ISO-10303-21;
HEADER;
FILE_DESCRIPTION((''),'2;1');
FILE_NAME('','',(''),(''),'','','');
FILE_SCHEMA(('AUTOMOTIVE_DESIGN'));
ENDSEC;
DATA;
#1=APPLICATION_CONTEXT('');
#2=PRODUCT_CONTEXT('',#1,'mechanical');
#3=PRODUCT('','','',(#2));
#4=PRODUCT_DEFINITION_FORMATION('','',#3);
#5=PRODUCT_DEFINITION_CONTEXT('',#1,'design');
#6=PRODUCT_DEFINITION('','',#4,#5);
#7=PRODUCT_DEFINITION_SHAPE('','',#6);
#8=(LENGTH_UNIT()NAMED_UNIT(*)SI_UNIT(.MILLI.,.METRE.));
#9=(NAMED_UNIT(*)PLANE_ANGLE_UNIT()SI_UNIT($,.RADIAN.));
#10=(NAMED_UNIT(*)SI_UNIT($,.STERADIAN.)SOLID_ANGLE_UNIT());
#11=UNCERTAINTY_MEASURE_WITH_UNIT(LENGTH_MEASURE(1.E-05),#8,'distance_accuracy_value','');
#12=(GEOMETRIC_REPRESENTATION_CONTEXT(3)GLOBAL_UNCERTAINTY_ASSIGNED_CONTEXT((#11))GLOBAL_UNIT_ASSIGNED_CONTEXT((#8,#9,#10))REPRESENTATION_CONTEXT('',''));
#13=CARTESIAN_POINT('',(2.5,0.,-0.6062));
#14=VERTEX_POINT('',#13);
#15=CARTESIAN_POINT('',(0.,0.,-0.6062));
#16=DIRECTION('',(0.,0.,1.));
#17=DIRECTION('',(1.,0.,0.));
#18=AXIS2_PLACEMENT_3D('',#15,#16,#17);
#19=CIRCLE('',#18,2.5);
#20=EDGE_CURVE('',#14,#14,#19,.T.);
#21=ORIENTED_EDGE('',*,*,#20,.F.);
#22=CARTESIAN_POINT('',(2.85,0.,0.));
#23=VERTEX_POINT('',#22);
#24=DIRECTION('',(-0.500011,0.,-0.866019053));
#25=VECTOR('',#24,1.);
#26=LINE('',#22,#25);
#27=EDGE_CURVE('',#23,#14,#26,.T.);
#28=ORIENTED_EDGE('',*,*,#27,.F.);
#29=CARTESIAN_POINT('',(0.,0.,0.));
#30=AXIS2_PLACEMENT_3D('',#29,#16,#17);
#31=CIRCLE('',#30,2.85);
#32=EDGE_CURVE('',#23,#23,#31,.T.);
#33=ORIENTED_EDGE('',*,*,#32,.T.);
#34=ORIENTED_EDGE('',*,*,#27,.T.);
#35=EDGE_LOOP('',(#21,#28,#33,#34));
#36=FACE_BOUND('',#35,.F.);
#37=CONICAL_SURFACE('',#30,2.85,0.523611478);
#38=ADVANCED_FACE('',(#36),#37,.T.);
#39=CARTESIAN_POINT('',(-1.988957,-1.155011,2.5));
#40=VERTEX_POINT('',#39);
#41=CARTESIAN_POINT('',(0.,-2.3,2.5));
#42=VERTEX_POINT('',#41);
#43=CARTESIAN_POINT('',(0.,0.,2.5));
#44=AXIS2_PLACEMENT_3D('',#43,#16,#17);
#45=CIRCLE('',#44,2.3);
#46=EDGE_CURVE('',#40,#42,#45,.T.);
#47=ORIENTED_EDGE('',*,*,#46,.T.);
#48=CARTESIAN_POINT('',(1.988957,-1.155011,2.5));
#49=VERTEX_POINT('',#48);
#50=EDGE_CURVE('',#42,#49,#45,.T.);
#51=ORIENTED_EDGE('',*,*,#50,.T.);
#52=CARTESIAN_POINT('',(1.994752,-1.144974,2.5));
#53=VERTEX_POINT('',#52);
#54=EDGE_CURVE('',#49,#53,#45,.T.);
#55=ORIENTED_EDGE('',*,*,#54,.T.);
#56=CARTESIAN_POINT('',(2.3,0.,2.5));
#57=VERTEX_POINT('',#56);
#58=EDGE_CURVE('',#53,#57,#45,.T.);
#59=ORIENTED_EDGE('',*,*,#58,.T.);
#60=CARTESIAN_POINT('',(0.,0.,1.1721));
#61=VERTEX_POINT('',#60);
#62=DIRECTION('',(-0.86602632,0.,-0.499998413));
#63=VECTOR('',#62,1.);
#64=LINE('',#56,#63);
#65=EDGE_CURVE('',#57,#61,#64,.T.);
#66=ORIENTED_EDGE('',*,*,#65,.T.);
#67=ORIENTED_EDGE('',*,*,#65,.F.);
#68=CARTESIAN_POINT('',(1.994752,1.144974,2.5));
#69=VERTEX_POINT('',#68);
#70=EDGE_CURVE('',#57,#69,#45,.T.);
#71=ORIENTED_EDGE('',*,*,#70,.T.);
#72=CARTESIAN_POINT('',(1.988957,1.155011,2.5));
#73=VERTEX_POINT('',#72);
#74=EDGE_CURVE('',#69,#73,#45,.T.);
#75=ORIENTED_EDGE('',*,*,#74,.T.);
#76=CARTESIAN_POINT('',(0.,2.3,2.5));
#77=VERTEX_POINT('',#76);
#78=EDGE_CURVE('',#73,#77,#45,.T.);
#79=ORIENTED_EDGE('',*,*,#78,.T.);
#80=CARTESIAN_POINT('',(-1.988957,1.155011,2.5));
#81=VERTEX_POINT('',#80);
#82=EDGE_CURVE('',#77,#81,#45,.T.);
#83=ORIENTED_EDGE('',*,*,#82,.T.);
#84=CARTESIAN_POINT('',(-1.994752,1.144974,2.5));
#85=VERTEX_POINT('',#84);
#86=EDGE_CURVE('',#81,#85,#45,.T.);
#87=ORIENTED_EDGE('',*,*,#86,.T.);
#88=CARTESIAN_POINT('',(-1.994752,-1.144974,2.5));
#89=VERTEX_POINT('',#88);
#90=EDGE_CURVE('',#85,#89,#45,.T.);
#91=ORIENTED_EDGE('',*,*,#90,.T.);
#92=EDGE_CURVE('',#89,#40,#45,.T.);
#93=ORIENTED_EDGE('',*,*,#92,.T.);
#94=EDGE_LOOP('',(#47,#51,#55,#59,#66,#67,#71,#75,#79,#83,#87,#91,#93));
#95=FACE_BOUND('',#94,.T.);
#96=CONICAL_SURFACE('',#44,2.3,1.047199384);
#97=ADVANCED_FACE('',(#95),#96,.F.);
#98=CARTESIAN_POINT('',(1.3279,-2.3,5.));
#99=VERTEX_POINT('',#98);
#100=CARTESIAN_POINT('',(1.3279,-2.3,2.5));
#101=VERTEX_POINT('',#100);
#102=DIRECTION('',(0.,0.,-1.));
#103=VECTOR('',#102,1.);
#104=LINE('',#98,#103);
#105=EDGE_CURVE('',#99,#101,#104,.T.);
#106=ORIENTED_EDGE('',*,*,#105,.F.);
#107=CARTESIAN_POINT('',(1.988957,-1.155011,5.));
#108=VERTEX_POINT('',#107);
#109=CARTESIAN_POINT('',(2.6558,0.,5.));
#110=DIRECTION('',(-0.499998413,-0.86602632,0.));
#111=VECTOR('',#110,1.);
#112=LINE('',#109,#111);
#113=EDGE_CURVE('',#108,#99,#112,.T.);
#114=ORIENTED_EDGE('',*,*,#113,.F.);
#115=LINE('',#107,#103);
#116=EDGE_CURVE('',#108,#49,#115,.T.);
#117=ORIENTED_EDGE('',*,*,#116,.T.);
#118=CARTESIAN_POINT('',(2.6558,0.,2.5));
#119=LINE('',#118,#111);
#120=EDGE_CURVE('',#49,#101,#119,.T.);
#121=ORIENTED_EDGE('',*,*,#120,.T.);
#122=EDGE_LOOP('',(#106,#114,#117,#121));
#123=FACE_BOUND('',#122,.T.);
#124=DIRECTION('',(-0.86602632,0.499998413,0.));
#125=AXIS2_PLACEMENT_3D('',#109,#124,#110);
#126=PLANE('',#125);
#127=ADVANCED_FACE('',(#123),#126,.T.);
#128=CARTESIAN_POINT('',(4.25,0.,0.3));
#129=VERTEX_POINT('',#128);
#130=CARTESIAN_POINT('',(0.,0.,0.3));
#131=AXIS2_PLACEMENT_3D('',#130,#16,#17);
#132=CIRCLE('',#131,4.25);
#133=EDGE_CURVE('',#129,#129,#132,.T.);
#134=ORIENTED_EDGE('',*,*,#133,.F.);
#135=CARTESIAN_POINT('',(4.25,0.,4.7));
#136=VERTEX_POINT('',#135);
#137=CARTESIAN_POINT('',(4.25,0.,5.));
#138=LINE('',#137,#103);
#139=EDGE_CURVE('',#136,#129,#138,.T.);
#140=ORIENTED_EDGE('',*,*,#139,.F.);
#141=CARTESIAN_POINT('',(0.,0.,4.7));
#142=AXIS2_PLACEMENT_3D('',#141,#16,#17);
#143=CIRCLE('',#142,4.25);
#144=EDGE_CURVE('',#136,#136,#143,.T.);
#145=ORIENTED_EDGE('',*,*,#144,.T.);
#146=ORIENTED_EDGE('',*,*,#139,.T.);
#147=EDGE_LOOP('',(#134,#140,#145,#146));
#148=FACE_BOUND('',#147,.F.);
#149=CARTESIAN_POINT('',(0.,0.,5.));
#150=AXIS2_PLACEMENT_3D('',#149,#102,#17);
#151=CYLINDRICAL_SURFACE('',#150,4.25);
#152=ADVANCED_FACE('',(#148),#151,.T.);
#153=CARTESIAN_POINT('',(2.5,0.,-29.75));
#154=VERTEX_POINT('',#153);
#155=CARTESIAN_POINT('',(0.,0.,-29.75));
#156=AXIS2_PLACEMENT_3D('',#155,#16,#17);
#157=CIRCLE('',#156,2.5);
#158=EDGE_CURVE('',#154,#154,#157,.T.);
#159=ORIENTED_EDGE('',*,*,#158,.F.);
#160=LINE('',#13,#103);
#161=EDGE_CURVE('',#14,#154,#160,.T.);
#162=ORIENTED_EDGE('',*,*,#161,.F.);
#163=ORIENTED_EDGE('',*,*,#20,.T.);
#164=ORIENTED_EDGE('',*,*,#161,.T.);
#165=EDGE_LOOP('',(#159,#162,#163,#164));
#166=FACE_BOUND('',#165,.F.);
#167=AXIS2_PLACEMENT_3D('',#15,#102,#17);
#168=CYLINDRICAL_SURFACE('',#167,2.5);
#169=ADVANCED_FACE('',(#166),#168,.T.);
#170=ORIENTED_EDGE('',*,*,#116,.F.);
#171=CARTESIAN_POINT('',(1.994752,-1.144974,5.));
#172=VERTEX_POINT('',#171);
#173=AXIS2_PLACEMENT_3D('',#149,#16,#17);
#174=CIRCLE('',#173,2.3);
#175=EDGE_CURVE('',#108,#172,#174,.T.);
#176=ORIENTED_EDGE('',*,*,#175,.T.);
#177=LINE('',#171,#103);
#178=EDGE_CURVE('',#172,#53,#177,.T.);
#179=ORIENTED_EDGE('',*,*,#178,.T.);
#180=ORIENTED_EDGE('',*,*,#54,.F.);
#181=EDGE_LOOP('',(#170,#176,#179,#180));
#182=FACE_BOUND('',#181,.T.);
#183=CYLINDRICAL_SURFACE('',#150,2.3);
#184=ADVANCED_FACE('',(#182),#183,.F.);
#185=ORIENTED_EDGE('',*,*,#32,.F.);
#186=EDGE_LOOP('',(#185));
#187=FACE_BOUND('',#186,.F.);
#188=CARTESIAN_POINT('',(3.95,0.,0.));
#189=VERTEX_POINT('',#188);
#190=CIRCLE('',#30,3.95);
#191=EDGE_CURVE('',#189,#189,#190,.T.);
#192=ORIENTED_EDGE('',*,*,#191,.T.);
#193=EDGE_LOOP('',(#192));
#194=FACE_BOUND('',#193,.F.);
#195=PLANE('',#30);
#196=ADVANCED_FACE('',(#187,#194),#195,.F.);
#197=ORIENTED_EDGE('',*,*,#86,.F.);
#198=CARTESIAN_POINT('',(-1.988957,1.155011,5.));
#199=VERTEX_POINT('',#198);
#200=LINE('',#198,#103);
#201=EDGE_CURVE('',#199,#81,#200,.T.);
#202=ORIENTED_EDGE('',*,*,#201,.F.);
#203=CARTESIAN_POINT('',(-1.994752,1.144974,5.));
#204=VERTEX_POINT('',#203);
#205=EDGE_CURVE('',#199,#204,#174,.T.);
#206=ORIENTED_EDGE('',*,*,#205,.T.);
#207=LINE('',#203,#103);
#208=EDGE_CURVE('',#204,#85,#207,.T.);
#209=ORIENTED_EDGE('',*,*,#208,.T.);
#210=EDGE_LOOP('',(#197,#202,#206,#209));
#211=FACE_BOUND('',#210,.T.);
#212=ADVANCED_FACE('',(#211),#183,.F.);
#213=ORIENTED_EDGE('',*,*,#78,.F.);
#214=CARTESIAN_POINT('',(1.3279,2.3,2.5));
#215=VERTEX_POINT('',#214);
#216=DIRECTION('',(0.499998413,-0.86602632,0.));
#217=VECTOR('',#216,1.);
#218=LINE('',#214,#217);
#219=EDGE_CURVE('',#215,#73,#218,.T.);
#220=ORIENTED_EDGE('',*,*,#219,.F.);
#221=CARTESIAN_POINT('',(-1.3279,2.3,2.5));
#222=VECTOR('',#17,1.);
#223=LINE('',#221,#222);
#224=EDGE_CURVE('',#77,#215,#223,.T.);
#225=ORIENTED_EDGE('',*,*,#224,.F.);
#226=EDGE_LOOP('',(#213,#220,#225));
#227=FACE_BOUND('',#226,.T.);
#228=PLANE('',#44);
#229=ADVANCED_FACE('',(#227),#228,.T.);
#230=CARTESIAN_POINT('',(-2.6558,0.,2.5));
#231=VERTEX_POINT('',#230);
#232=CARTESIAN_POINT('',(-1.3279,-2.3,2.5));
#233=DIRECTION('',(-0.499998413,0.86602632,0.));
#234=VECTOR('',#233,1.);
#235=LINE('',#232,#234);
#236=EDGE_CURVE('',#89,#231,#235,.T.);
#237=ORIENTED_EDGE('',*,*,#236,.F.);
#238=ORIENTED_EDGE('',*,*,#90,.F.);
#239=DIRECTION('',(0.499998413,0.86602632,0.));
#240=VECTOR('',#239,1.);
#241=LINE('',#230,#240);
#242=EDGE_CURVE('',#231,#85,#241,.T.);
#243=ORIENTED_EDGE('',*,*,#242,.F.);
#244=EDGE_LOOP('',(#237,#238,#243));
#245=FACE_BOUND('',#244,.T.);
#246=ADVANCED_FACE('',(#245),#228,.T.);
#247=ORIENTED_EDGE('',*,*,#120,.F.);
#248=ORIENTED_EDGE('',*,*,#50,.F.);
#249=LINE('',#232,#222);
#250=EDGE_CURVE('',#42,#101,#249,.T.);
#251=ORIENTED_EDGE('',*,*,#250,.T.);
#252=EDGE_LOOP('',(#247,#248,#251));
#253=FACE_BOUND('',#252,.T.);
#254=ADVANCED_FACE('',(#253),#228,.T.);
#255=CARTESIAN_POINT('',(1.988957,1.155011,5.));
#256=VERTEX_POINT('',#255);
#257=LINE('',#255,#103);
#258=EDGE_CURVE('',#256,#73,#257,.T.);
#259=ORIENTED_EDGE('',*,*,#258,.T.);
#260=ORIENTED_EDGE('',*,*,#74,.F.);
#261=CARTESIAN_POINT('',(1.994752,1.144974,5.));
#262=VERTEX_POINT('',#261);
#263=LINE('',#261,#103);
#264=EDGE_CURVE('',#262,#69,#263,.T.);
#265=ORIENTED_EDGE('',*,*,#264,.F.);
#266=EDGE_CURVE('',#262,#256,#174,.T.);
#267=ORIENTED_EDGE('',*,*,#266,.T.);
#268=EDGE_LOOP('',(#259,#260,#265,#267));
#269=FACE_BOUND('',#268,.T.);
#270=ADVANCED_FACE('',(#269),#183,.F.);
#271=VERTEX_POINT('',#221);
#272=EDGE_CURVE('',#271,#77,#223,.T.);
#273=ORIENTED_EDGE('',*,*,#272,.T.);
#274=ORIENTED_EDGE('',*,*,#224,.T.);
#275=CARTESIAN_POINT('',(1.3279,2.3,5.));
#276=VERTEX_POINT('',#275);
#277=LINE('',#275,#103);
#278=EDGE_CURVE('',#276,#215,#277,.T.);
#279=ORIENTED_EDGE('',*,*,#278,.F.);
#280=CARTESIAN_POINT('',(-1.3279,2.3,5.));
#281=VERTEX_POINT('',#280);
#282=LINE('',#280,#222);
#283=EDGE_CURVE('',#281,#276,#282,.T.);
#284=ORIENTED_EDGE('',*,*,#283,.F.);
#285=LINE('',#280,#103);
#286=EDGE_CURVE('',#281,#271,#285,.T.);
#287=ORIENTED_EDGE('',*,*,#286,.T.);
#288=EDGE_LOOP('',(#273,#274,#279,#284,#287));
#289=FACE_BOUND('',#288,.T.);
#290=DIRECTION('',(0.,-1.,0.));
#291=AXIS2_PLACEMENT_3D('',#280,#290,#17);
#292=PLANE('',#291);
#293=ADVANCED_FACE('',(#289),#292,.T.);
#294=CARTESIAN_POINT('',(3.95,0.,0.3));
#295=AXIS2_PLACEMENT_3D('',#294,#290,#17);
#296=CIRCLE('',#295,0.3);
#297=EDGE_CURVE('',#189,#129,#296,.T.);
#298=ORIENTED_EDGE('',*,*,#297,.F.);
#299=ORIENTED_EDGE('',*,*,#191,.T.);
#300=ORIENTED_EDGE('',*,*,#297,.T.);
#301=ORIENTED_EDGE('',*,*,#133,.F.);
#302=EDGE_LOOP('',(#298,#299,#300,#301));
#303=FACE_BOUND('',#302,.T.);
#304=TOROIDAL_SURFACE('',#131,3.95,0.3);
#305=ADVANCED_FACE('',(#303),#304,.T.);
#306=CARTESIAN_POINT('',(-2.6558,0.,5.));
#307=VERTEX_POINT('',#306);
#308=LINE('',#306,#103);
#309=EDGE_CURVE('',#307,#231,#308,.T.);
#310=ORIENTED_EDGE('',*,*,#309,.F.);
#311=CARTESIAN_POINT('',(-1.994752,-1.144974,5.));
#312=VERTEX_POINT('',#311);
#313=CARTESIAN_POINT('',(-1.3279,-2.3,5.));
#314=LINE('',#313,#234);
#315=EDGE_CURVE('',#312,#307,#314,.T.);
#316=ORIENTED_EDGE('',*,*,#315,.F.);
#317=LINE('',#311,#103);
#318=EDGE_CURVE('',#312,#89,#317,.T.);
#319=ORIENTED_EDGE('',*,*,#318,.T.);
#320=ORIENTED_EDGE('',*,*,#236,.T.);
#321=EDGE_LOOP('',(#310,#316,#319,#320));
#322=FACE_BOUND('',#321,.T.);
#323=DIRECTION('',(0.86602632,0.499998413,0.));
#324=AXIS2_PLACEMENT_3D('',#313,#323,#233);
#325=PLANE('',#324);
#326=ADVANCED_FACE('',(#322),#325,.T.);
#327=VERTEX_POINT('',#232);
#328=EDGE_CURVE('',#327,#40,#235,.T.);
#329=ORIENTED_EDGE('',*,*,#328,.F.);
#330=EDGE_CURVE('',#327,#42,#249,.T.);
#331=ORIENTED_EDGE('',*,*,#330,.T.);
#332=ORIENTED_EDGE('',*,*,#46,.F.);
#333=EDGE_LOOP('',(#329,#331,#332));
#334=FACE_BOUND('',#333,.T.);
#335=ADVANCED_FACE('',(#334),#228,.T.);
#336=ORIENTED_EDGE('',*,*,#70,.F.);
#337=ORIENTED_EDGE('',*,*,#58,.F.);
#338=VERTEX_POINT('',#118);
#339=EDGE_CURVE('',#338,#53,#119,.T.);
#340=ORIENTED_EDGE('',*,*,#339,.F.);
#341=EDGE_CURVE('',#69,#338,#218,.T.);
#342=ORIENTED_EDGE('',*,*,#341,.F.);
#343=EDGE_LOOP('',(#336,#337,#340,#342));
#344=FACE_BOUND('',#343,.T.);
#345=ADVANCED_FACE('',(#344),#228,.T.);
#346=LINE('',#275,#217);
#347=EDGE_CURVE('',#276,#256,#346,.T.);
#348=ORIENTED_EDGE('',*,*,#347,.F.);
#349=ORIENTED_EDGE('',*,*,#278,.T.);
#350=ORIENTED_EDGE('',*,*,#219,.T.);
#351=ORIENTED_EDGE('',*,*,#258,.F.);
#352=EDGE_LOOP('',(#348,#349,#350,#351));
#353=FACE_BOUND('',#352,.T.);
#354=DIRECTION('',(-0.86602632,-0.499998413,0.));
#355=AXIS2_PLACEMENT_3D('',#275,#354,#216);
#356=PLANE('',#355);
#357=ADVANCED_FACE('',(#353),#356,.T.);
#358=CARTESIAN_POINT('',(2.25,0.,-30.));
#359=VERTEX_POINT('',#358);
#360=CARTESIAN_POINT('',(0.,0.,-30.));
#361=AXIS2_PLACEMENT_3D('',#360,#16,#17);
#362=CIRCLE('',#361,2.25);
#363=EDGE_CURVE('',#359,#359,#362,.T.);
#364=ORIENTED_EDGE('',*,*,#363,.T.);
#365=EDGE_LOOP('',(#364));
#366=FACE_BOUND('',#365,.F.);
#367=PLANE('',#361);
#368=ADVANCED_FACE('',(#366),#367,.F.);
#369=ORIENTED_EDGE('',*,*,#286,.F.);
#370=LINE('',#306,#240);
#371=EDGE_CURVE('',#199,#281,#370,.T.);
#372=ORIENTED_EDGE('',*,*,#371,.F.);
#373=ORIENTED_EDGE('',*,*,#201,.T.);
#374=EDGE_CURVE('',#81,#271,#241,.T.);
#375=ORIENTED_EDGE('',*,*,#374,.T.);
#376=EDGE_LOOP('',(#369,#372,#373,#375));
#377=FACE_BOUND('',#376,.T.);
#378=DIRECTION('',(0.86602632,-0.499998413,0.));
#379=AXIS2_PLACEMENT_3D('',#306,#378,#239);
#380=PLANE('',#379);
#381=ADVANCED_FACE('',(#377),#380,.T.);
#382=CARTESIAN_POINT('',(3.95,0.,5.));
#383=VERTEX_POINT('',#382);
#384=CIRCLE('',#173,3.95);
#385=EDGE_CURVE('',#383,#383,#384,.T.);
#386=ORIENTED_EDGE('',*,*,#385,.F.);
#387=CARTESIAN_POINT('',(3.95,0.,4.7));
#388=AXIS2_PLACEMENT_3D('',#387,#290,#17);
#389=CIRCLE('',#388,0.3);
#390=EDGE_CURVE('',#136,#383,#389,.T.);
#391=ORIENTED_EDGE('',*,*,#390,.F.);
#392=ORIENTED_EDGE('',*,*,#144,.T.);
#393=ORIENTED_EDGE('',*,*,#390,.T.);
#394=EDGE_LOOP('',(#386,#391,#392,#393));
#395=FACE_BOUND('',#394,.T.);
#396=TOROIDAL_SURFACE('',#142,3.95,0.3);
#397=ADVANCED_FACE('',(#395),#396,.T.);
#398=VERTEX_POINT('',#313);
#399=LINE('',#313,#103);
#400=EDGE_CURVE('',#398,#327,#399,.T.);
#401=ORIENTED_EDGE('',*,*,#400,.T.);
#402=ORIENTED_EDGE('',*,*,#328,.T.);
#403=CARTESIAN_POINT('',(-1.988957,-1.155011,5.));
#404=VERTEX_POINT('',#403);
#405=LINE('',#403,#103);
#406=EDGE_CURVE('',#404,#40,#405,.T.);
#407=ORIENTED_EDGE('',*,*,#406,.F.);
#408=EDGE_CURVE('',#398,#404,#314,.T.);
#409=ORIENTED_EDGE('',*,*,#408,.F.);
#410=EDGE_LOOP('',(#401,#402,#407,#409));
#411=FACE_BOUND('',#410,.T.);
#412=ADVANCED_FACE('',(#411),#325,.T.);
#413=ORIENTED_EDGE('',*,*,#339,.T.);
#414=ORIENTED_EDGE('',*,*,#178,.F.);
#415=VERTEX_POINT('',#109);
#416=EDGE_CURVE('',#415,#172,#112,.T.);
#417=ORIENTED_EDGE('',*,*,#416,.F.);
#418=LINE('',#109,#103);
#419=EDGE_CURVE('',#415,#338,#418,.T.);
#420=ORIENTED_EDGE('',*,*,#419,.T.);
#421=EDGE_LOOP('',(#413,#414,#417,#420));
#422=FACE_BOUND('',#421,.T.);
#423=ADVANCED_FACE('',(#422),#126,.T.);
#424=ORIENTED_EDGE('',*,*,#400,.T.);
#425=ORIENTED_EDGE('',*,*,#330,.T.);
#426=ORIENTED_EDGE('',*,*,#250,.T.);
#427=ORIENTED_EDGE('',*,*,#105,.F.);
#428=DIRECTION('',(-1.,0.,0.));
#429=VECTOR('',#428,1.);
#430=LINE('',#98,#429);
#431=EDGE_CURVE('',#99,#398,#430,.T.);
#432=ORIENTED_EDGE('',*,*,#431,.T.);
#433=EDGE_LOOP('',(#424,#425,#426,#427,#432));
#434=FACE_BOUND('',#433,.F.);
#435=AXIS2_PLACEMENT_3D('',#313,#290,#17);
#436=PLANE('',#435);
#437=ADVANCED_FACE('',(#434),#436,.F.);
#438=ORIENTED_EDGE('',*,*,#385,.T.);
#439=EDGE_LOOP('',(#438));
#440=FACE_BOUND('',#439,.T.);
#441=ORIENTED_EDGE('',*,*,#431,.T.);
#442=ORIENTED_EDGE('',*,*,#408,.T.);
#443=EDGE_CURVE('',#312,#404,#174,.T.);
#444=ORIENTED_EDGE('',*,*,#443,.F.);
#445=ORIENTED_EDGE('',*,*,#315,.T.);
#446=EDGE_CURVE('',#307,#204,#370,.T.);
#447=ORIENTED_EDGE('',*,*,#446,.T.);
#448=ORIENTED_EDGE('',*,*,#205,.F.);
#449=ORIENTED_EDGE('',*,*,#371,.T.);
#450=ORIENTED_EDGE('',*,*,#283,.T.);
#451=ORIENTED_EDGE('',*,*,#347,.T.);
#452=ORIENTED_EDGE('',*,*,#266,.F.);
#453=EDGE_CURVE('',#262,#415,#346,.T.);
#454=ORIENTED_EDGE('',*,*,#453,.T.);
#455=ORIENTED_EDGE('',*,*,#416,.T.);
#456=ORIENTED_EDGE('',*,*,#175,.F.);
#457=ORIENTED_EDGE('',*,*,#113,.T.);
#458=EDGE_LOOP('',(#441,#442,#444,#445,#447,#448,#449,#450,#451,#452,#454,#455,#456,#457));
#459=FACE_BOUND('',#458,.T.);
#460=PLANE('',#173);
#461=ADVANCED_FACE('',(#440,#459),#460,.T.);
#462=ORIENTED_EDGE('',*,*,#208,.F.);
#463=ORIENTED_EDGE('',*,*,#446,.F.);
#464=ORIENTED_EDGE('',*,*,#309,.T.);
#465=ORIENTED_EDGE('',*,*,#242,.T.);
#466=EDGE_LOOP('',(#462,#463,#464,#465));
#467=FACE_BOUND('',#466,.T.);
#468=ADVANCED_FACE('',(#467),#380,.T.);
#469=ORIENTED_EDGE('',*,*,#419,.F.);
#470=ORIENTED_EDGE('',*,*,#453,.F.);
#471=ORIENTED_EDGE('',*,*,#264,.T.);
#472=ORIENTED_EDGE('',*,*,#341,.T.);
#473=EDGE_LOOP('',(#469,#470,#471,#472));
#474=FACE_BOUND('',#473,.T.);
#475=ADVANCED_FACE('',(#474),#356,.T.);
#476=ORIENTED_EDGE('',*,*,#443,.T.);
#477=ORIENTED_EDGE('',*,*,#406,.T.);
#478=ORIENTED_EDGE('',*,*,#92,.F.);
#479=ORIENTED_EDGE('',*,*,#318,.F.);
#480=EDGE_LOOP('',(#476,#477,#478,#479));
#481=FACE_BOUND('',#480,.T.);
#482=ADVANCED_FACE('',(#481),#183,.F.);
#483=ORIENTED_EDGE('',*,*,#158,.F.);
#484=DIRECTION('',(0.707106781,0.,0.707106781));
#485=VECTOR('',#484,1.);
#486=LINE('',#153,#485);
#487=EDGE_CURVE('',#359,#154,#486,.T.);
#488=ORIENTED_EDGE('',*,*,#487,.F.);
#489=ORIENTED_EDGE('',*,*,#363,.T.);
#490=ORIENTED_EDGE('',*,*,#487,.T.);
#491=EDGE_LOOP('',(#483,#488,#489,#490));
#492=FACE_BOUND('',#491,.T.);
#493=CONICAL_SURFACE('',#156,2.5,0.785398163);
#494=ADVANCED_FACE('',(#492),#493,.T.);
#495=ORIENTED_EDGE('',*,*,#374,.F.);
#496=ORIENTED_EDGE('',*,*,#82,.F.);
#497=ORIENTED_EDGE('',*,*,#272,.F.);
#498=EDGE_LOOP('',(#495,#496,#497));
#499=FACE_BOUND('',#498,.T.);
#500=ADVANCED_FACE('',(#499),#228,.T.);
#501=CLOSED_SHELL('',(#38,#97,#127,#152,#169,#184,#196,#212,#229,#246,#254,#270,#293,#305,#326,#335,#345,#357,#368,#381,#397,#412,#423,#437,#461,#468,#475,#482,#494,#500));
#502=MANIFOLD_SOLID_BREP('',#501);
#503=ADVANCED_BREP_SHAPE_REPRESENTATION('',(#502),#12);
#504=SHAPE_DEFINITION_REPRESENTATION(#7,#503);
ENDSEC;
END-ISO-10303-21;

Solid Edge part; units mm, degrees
sketch "Sketch1" plane through (0, 0, 0) normal (0, -1, 0) x (1, 0, 0)
  line L0 (4.25, 5) -> (4.25, 0)
  line L1 (4.25, 0) -> (2.85, 0)
  line L2 (2.85, 0) -> (2.5, -0.6062)
  line L3 (2.5, -0.6062) -> (2.5, -30)
  line L4 (2.5, -30) -> (0, -30)
  line L5 (2.3, 2.5) -> (0, 1.1721)
  line L6 (2.3, 5) -> (2.3, 2.5)
  line L7 (4.25, 5) -> (2.3, 5)
  dimension "D1" = 2.5
  dimension "D2" = 30
  dimension "D3" = 5
revolve "RevolvedProtrusion1" add sketch "Sketch1" angle 360 about axis through (0, 0, -6) along (0, 0, 1)
cosmetic_thread "Thread1" size "M5"
chamfer "Chamfer_1" distance 0.25 angle 45 1 edges at (-2.5, 0, -30)
fillet "Round_1" radius 0.3 2 edges at (-4.25, 0, 0) (-4.25, 0, 5)
sketch "Sketch2" plane through (0, 0, 5) normal (0, 0, 1) x (0, 1, 0)
  line L0 (-2.3, 1.3279) -> (-2.3, -1.3279)
  line L1 (0, -2.6558) -> (-2.3, -1.3279)
  line L2 (2.3, -1.3279) -> (0, -2.6558)
  line L3 (2.3, 1.3279) -> (2.3, -1.3279)
  line L4 (0, 2.6558) -> (2.3, 1.3279)
  line L5 (-2.3, 1.3279) -> (0, 2.6558)
extrude "Cutout1" cut sketch "Sketch2" against normal up to vertex (2.5 mm away)
properties material "Galvanized steel"
